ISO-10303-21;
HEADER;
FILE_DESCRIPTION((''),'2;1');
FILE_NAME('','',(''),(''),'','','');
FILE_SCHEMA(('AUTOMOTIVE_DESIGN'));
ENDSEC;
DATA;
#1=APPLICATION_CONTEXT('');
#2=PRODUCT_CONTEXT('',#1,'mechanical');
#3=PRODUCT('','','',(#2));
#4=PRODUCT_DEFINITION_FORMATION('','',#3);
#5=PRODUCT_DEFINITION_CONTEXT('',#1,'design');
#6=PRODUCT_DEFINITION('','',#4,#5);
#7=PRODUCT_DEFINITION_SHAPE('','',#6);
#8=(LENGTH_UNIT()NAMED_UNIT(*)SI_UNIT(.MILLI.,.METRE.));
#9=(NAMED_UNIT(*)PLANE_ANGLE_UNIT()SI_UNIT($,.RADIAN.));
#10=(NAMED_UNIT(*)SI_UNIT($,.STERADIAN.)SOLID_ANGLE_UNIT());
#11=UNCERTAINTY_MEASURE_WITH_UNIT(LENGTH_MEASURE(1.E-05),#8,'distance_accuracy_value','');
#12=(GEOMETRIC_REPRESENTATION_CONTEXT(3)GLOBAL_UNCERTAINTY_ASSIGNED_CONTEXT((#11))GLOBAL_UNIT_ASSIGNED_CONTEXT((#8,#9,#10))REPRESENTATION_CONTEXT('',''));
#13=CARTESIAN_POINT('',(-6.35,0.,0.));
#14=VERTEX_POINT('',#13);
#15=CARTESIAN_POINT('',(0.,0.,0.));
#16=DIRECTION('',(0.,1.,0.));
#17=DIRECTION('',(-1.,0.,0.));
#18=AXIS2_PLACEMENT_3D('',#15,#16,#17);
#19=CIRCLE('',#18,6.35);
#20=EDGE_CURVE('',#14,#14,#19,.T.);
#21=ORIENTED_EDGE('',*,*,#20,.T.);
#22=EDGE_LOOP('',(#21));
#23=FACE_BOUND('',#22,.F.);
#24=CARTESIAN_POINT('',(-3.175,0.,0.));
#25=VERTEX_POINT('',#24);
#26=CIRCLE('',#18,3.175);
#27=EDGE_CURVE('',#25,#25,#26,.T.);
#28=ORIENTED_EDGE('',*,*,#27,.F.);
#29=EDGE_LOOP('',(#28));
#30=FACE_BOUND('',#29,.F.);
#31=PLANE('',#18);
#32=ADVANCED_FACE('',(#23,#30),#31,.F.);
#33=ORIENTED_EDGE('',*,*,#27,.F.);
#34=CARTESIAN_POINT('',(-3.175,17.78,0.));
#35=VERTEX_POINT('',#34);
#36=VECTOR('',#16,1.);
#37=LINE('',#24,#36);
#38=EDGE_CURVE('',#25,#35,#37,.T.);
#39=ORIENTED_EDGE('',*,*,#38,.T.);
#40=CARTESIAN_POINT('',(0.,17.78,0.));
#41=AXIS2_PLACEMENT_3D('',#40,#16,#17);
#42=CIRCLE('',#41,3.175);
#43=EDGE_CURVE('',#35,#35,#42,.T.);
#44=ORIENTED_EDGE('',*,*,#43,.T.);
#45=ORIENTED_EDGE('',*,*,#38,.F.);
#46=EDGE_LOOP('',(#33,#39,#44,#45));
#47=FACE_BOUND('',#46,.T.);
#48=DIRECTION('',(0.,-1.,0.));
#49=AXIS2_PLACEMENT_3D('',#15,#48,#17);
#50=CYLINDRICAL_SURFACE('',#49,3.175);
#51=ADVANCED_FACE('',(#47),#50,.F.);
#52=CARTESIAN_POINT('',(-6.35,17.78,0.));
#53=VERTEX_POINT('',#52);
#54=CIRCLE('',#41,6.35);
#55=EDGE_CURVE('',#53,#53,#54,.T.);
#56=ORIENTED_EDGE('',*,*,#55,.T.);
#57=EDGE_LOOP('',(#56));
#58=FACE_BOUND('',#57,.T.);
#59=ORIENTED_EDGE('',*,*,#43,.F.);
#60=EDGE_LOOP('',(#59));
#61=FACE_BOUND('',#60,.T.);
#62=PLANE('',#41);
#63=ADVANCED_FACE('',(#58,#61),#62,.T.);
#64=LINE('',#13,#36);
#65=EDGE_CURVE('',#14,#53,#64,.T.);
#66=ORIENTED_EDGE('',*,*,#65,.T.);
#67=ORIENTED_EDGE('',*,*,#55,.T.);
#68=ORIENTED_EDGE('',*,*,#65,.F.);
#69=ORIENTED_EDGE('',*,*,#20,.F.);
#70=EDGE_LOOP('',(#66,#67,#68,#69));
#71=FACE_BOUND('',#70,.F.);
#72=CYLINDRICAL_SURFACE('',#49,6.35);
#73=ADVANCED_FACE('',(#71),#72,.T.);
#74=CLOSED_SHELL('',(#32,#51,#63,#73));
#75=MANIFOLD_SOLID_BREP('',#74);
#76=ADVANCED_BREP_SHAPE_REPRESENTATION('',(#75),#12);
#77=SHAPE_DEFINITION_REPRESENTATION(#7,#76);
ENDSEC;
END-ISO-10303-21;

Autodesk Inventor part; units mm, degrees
ref_plane "YZ Plane" through (0, 0, 0) normal (1, 0, 0) x (0, 1, 0)
ref_plane "XZ Plane" through (0, 0, 0) normal (0, 1, 0) x (-1, 0, 0)
ref_plane "XY Plane" through (0, 0, 0) normal (0, 0, 1) x (1, 0, 0)
sketch "Sketch1" plane through (0, 0, 0) normal (0, 1, 0) x (-1, 0, 0)
  circle A0 centre (0, 0) radius 3.175
  circle A1 centre (0, 0) radius 6.35
  dimension "d0" = 6.35
  dimension "d1" = 12.7
extrude "Extrusion1" add sketch "Sketch1" along normal blind 17.78
thread "Thread1" size "1/4-20 UNC" class "2B" standard "ANSI Unified Screw Threads" full length
properties part number "ELEV_021_SPACER2" material "Aluminum 6061"
